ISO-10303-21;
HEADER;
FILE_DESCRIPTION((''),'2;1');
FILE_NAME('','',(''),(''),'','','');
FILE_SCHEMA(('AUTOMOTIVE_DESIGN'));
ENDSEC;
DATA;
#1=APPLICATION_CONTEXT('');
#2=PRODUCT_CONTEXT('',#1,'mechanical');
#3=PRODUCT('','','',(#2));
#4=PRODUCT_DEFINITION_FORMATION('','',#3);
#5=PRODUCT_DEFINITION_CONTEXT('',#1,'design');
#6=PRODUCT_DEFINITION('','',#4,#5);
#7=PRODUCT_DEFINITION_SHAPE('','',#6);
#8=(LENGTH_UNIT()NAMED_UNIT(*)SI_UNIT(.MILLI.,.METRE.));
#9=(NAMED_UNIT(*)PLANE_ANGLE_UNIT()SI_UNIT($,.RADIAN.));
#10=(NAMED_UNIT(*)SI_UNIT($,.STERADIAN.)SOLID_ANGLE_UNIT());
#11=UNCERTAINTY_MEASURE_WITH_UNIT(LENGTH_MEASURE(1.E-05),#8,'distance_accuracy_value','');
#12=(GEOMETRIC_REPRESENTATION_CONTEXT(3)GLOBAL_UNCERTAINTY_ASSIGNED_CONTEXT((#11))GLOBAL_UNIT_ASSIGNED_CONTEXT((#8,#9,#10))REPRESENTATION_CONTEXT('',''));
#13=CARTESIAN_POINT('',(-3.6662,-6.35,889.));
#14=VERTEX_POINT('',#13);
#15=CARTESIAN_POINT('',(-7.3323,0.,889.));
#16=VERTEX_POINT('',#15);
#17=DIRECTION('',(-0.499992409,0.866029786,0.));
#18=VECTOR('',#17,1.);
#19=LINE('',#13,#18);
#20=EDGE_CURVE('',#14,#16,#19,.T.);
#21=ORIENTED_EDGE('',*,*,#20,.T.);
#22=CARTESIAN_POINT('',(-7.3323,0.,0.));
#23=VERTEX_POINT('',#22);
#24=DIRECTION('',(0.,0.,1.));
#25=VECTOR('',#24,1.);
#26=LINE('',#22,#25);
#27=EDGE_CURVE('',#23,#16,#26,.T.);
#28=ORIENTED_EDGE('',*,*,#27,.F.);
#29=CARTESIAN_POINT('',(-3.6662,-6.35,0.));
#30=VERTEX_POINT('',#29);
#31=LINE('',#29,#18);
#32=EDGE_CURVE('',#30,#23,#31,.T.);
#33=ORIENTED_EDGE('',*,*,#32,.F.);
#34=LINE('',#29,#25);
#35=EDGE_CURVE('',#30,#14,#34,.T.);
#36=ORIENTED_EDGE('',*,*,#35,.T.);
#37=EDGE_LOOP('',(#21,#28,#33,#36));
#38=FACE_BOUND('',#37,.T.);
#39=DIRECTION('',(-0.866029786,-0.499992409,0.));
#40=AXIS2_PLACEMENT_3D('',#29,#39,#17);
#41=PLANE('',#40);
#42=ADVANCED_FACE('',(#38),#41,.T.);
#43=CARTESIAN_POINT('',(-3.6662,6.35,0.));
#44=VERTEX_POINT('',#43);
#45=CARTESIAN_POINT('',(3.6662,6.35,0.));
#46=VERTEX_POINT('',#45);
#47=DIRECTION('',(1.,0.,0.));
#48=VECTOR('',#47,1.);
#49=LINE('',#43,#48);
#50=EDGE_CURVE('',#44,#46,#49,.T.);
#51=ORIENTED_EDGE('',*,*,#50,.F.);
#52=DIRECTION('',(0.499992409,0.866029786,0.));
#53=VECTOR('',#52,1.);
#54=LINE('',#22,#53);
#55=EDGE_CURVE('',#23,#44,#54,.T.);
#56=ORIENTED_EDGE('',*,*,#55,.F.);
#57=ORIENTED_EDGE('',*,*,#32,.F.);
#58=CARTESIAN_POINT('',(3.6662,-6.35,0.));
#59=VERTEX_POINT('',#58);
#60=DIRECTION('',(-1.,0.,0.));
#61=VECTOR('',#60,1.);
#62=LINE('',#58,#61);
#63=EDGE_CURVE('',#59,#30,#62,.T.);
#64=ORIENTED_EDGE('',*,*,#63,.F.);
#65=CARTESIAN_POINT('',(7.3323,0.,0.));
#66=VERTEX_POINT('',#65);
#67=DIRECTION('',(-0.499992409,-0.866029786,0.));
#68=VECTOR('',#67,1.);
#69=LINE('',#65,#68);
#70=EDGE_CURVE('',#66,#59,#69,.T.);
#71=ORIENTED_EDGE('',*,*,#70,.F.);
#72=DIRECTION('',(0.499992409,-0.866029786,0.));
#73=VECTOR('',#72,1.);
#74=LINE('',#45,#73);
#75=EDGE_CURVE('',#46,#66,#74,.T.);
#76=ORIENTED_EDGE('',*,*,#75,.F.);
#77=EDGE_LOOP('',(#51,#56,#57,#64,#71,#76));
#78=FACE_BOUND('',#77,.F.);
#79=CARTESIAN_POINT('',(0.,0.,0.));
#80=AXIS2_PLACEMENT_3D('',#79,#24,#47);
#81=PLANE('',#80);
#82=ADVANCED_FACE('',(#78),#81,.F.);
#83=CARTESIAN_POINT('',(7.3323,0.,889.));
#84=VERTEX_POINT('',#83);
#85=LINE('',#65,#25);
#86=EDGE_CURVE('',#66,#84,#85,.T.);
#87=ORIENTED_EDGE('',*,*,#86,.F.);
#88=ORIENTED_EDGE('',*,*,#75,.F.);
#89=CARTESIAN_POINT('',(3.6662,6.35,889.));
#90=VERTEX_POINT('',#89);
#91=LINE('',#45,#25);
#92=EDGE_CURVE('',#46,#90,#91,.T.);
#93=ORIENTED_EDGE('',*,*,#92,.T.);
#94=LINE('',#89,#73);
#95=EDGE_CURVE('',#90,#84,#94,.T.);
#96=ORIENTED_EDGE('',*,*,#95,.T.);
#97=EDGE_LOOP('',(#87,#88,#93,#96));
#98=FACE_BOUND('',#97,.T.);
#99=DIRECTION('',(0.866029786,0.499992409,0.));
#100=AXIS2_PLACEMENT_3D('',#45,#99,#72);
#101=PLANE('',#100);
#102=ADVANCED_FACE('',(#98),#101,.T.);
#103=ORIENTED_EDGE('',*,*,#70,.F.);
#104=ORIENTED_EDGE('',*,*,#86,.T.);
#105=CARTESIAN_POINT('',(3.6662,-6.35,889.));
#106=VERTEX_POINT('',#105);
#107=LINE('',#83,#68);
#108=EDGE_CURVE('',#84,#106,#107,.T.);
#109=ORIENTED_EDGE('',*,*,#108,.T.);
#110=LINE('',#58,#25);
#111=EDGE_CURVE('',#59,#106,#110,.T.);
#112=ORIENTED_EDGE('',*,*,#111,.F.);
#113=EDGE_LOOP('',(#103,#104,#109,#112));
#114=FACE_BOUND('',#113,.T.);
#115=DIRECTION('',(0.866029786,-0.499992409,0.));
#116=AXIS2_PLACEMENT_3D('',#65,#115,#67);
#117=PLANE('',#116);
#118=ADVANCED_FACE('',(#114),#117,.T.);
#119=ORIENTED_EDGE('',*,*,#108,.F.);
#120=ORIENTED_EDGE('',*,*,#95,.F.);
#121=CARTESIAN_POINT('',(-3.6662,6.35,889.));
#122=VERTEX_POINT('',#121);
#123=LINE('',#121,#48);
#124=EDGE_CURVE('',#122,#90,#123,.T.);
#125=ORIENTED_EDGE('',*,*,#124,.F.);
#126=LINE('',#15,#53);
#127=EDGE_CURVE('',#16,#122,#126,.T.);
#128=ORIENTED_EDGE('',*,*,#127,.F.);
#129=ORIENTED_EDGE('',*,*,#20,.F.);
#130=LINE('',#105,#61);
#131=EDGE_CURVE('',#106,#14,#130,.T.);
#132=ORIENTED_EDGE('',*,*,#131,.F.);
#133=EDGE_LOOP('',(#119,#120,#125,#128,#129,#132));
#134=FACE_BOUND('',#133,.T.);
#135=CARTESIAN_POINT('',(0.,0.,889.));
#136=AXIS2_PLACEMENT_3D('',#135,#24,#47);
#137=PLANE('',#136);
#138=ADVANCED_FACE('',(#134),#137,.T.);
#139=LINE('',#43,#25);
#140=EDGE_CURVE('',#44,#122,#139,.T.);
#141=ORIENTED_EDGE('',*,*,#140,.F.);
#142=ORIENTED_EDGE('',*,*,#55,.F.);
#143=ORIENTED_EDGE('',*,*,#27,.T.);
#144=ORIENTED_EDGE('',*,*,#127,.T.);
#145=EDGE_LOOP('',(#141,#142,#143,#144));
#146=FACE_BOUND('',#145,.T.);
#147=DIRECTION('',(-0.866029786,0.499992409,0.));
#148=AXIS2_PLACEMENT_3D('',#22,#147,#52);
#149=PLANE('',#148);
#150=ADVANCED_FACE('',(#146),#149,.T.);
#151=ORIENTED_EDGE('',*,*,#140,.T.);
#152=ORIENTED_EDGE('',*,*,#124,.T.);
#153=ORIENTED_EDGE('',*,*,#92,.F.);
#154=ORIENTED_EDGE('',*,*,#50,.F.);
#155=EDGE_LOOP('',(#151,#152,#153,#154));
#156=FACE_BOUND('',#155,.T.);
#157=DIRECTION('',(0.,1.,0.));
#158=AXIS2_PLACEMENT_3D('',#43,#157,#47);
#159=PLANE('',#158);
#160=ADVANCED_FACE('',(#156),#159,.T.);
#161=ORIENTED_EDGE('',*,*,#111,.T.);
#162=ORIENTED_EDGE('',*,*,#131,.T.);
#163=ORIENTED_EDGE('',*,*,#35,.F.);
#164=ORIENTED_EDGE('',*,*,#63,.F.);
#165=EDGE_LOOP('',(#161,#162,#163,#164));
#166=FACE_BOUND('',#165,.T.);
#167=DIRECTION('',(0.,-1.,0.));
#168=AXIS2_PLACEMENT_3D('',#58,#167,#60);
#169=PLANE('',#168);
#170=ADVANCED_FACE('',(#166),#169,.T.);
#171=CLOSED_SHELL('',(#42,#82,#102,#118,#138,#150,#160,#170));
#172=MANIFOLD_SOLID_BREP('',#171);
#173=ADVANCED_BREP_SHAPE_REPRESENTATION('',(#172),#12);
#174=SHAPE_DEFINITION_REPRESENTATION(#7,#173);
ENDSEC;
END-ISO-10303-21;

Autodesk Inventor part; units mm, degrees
ref_plane "YZ Plane" through (0, 0, 0) normal (1, 0, 0) x (0, 1, 0)
ref_plane "XZ Plane" through (0, 0, 0) normal (0, 1, 0) x (-1, 0, 0)
ref_plane "XY Plane" through (0, 0, 0) normal (0, 0, 1) x (1, 0, 0)
sketch "Sketch1" plane through (0, 0, 0) normal (0, 0, 1) x (1, 0, 0)
  line L0 (3.6662, 6.35) -> (7.3323, 0)
  line L1 (7.3323, 0) -> (3.6662, -6.35)
  line L2 (3.6662, -6.35) -> (-3.6662, -6.35)
  line L3 (-3.6662, -6.35) -> (-7.3323, 0)
  line L4 (-7.3323, 0) -> (-3.6662, 6.35)
  line L5 (-3.6662, 6.35) -> (3.6662, 6.35)
  point P0 (0, 0)
  point P1 (0, 0)
  dimension "d0" = 12.7
extrude "Extrusion1" add sketch "Sketch1" along normal blind 889
properties part number "hex rod 35 inch" material "Steel, Alloy"
